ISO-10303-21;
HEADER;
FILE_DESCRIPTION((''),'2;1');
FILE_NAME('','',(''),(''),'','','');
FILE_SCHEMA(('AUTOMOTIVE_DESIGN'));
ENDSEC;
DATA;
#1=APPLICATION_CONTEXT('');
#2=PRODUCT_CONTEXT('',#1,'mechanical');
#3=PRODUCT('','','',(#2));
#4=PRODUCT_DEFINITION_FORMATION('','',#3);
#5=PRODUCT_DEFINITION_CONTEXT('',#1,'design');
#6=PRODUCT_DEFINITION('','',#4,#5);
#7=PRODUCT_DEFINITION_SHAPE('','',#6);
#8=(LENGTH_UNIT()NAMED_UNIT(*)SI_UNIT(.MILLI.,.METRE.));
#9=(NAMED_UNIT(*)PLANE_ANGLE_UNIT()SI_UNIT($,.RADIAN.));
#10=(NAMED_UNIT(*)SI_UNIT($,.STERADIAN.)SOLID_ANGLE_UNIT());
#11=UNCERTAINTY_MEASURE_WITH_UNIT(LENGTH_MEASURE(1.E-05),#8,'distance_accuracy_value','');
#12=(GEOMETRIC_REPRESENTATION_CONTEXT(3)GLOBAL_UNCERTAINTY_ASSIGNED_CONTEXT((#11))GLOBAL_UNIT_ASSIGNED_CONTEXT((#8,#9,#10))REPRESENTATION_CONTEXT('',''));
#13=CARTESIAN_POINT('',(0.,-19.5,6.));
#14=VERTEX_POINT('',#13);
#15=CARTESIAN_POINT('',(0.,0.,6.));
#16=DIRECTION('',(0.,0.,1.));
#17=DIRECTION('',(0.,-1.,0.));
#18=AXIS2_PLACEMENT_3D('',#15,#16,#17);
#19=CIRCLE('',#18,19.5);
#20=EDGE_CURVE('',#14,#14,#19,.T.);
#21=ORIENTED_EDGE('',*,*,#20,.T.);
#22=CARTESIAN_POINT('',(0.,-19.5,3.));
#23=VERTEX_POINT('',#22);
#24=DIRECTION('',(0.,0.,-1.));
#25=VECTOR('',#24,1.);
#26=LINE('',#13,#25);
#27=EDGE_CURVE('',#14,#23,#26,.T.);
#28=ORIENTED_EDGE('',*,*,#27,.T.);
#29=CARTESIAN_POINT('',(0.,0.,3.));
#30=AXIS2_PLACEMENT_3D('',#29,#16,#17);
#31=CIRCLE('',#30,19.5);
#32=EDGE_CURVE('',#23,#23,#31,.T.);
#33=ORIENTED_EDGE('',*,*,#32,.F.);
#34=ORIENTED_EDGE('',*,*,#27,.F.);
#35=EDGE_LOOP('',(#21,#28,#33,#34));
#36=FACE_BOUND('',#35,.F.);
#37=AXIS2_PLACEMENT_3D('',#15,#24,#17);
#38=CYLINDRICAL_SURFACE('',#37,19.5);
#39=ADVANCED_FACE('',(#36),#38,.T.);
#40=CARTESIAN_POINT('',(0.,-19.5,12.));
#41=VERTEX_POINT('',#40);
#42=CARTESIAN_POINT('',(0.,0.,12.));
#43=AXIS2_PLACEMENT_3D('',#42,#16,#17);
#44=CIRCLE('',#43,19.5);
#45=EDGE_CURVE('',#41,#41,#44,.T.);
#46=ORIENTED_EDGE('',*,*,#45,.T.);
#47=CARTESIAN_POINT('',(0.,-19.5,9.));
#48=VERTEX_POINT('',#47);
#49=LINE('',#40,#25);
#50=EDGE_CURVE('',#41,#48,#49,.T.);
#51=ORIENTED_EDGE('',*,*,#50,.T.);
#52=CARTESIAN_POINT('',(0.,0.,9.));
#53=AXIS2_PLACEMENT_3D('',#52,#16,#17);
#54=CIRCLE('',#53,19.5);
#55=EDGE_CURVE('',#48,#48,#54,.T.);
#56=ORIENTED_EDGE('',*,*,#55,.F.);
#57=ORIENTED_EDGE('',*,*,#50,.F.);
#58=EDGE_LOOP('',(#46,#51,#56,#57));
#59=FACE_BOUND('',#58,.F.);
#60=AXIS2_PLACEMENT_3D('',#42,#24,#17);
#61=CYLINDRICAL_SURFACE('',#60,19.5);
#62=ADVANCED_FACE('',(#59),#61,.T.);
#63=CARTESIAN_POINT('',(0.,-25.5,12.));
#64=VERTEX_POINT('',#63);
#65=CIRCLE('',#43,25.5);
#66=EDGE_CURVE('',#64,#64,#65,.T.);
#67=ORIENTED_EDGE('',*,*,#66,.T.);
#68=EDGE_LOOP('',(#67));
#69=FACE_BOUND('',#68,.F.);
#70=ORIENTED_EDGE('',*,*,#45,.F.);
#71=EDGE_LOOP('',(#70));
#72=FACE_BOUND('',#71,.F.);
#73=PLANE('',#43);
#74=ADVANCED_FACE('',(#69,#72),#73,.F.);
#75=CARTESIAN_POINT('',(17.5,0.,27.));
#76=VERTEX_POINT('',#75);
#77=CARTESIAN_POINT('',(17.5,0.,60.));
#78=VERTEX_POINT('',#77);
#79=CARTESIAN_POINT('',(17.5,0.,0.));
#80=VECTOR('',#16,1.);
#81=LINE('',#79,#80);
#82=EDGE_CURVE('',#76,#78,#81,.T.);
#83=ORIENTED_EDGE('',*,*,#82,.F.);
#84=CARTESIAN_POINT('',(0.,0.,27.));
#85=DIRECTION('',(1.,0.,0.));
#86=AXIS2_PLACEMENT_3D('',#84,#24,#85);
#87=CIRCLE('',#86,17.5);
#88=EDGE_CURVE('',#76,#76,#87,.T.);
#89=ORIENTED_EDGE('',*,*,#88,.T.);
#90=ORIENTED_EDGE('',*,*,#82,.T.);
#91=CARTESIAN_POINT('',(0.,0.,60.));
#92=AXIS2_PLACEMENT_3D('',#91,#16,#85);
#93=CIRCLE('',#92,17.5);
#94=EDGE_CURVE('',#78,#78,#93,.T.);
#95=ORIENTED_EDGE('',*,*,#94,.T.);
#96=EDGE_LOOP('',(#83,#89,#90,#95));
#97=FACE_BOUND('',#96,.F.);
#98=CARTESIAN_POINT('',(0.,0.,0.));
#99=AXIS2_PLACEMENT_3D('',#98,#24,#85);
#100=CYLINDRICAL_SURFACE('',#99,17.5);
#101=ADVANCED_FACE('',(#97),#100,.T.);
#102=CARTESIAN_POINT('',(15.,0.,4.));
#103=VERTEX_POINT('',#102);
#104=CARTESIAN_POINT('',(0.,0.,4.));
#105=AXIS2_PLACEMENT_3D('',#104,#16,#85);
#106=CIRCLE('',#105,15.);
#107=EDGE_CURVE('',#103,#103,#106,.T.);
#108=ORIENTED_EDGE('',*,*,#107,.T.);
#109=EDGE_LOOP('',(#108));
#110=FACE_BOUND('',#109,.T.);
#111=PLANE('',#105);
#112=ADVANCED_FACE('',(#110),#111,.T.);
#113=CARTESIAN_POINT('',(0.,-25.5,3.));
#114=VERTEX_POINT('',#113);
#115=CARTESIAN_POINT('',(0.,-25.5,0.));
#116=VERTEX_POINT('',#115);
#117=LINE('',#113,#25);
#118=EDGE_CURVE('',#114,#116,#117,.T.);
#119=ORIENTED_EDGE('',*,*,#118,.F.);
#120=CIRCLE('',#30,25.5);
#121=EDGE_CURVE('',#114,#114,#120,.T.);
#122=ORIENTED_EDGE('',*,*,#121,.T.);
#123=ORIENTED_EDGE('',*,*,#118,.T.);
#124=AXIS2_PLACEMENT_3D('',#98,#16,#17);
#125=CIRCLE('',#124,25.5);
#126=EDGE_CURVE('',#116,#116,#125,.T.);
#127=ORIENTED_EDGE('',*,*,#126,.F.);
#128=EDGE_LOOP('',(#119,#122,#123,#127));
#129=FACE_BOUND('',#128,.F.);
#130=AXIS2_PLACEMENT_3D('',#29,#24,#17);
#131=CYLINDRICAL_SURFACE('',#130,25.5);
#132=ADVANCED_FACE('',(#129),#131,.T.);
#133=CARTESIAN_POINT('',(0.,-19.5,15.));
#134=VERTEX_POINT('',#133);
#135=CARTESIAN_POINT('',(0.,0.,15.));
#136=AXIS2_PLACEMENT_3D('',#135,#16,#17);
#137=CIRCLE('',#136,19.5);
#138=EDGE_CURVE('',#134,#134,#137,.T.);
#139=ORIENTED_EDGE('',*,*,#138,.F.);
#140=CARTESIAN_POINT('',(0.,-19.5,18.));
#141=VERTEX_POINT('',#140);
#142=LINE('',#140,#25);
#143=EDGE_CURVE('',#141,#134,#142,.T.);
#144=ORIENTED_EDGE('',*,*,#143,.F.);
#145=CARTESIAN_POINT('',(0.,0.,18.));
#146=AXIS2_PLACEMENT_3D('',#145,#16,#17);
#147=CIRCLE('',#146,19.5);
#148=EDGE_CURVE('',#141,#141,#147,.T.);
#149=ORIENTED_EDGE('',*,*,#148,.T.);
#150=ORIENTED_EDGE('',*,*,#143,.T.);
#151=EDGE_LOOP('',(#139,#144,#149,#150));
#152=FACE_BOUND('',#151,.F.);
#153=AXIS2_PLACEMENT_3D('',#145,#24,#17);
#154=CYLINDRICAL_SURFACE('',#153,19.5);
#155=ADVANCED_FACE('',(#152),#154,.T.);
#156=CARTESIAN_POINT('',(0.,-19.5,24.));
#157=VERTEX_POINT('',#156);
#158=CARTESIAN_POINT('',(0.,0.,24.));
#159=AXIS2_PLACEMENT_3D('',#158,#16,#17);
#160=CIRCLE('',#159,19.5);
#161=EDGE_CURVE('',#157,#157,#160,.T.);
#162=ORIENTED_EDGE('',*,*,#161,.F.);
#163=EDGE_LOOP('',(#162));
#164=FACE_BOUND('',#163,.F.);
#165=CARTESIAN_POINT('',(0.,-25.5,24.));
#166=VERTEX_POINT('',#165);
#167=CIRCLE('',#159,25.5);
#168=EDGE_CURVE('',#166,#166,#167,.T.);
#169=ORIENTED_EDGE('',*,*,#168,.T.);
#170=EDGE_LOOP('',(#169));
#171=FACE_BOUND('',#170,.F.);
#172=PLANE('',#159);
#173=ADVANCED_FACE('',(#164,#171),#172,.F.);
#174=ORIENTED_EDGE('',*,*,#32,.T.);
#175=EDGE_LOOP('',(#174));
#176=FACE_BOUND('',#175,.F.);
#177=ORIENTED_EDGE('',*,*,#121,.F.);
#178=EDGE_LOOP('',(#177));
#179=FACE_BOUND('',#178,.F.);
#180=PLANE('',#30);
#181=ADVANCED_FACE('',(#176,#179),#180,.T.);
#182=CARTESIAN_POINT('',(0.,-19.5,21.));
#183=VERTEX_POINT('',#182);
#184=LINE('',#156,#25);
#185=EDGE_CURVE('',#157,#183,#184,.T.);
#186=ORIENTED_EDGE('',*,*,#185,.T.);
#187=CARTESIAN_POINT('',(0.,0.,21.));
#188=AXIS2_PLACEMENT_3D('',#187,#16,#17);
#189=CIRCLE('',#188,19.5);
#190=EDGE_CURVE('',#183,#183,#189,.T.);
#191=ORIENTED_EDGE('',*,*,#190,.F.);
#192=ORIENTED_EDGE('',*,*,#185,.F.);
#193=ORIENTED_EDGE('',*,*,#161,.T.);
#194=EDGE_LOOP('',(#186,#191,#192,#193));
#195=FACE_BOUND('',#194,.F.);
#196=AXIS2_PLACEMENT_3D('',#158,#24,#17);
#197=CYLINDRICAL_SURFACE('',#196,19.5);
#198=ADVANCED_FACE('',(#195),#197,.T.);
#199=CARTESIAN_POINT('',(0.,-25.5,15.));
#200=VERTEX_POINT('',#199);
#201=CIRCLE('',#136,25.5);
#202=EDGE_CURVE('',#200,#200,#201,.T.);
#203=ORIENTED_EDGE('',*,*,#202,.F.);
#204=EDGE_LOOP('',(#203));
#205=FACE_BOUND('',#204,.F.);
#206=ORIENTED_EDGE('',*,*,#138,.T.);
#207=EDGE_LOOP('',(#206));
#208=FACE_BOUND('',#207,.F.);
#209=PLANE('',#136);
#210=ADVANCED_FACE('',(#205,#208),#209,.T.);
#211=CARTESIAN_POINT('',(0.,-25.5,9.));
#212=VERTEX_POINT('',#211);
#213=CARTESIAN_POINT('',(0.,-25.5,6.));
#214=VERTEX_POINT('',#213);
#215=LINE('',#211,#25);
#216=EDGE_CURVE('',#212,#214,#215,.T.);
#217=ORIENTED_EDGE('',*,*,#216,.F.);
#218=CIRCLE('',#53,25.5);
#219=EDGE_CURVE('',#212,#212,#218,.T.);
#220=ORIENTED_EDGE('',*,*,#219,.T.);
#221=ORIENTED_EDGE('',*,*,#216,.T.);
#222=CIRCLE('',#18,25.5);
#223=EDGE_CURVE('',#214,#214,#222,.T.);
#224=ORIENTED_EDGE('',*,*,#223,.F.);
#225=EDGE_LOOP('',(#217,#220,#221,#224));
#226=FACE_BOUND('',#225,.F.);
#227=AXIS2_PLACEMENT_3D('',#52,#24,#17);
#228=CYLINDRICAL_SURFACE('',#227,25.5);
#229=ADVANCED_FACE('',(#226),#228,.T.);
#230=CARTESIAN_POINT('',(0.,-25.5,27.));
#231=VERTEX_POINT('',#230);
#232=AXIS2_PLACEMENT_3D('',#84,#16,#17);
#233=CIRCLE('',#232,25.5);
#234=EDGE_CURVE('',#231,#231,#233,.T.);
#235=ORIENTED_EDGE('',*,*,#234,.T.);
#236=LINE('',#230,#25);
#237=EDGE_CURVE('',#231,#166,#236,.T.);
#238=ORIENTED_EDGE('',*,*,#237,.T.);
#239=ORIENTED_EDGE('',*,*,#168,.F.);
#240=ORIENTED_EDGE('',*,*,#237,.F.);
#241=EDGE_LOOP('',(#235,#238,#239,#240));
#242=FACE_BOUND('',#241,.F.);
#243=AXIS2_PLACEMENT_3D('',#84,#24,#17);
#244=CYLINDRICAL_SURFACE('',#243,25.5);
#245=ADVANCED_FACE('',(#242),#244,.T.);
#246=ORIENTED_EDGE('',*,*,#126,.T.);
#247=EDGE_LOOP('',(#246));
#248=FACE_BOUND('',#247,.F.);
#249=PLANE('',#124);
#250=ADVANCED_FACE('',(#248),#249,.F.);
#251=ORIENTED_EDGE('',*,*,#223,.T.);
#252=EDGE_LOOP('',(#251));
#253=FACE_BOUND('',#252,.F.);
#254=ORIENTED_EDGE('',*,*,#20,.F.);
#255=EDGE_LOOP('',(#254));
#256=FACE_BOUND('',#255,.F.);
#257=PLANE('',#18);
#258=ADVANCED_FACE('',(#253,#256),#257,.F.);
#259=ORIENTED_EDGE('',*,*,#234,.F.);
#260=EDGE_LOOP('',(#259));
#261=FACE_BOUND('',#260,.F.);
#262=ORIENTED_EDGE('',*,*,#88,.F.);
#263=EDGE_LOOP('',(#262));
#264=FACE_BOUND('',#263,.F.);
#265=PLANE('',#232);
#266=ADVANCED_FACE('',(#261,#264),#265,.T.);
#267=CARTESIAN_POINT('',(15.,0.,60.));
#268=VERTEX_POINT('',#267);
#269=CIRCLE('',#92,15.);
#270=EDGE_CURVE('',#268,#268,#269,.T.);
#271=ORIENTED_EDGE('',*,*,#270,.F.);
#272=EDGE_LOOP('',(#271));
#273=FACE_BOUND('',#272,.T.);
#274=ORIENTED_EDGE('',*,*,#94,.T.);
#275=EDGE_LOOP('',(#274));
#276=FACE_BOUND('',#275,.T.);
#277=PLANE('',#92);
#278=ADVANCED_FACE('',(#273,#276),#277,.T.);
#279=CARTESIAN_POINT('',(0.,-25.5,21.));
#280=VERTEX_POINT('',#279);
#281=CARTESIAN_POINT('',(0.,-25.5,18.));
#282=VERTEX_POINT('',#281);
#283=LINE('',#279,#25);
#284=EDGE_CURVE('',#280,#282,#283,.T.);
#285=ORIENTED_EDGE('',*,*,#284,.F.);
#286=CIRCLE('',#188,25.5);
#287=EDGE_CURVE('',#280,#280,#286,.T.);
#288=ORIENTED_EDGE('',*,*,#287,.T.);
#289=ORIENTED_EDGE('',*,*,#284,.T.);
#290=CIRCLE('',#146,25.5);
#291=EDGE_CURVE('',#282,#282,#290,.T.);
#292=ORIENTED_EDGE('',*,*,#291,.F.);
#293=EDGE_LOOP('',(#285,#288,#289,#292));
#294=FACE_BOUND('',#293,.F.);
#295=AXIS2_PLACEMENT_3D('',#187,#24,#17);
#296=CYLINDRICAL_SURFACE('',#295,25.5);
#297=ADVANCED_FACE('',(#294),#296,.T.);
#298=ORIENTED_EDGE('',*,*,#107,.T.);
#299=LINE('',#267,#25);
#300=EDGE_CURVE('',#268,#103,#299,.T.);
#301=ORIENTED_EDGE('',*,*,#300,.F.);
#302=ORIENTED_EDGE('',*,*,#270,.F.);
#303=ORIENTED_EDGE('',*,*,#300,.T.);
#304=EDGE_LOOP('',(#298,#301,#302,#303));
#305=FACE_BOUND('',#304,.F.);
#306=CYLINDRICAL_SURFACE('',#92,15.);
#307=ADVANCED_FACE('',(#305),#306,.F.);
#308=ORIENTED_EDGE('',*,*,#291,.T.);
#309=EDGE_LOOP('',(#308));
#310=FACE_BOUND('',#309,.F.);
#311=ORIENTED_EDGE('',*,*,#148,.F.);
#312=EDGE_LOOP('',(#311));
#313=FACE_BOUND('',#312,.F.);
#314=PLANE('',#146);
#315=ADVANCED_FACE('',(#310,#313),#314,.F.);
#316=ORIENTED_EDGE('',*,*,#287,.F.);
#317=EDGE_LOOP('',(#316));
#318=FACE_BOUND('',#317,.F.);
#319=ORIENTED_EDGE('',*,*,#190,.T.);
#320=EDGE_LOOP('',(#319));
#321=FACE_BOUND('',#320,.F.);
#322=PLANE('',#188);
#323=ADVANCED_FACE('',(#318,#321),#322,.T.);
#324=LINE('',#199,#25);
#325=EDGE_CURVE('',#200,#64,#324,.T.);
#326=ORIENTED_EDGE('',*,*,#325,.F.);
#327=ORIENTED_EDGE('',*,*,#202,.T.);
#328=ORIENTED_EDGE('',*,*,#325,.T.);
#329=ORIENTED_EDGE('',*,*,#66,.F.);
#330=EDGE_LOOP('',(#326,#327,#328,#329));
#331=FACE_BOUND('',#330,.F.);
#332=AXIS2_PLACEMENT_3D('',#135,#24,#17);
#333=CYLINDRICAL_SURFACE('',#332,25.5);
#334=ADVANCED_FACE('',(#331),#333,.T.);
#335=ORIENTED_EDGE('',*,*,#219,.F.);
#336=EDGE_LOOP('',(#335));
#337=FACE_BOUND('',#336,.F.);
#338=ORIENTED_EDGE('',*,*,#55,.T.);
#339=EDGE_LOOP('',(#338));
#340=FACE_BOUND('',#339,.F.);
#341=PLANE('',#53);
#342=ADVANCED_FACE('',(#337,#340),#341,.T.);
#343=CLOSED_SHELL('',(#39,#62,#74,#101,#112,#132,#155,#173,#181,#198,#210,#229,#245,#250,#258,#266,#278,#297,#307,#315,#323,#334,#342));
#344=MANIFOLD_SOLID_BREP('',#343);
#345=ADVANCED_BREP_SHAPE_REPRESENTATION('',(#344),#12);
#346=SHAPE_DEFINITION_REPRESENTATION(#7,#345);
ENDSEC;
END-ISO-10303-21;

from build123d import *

# Parameters (mm, degrees)
F0_R     = 17.5
F1_DEPTH = 60
F2_R     = 15
F3_DEPTH = 56


with BuildPart() as f1:
    # F0 (on Top) → F1 (new body)
    with BuildSketch(Plane.XY):
        Circle(F0_R)
    extrude(amount=F1_DEPTH)

    # F2 (on face) → F3 (cut)
    with BuildSketch(Plane.XY.offset(60)):
        Circle(F2_R)
    extrude(amount=-F3_DEPTH, mode=Mode.SUBTRACT)

    # F4 (on Right) → F5 (revolve)
    with BuildSketch(Plane.YZ):
        Polygon((-25.5, 3), (-25.5, 0), (-17.5, 0), (-17.5, 27), (-25.5, 27), (-25.5, 24), (-19.5, 24), (-19.5, 21), (-25.5, 21), (-25.5, 18), (-19.5, 18), (-19.5, 15), (-25.5, 15), (-25.5, 12), (-19.5, 12), (-19.5, 9), (-25.5, 9), (-25.5, 6), (-19.5, 6), (-19.5, 3), align=None)
    revolve(axis=Axis((0, 0, 13.5), (0, 0, 1)))


solid = f1.part
